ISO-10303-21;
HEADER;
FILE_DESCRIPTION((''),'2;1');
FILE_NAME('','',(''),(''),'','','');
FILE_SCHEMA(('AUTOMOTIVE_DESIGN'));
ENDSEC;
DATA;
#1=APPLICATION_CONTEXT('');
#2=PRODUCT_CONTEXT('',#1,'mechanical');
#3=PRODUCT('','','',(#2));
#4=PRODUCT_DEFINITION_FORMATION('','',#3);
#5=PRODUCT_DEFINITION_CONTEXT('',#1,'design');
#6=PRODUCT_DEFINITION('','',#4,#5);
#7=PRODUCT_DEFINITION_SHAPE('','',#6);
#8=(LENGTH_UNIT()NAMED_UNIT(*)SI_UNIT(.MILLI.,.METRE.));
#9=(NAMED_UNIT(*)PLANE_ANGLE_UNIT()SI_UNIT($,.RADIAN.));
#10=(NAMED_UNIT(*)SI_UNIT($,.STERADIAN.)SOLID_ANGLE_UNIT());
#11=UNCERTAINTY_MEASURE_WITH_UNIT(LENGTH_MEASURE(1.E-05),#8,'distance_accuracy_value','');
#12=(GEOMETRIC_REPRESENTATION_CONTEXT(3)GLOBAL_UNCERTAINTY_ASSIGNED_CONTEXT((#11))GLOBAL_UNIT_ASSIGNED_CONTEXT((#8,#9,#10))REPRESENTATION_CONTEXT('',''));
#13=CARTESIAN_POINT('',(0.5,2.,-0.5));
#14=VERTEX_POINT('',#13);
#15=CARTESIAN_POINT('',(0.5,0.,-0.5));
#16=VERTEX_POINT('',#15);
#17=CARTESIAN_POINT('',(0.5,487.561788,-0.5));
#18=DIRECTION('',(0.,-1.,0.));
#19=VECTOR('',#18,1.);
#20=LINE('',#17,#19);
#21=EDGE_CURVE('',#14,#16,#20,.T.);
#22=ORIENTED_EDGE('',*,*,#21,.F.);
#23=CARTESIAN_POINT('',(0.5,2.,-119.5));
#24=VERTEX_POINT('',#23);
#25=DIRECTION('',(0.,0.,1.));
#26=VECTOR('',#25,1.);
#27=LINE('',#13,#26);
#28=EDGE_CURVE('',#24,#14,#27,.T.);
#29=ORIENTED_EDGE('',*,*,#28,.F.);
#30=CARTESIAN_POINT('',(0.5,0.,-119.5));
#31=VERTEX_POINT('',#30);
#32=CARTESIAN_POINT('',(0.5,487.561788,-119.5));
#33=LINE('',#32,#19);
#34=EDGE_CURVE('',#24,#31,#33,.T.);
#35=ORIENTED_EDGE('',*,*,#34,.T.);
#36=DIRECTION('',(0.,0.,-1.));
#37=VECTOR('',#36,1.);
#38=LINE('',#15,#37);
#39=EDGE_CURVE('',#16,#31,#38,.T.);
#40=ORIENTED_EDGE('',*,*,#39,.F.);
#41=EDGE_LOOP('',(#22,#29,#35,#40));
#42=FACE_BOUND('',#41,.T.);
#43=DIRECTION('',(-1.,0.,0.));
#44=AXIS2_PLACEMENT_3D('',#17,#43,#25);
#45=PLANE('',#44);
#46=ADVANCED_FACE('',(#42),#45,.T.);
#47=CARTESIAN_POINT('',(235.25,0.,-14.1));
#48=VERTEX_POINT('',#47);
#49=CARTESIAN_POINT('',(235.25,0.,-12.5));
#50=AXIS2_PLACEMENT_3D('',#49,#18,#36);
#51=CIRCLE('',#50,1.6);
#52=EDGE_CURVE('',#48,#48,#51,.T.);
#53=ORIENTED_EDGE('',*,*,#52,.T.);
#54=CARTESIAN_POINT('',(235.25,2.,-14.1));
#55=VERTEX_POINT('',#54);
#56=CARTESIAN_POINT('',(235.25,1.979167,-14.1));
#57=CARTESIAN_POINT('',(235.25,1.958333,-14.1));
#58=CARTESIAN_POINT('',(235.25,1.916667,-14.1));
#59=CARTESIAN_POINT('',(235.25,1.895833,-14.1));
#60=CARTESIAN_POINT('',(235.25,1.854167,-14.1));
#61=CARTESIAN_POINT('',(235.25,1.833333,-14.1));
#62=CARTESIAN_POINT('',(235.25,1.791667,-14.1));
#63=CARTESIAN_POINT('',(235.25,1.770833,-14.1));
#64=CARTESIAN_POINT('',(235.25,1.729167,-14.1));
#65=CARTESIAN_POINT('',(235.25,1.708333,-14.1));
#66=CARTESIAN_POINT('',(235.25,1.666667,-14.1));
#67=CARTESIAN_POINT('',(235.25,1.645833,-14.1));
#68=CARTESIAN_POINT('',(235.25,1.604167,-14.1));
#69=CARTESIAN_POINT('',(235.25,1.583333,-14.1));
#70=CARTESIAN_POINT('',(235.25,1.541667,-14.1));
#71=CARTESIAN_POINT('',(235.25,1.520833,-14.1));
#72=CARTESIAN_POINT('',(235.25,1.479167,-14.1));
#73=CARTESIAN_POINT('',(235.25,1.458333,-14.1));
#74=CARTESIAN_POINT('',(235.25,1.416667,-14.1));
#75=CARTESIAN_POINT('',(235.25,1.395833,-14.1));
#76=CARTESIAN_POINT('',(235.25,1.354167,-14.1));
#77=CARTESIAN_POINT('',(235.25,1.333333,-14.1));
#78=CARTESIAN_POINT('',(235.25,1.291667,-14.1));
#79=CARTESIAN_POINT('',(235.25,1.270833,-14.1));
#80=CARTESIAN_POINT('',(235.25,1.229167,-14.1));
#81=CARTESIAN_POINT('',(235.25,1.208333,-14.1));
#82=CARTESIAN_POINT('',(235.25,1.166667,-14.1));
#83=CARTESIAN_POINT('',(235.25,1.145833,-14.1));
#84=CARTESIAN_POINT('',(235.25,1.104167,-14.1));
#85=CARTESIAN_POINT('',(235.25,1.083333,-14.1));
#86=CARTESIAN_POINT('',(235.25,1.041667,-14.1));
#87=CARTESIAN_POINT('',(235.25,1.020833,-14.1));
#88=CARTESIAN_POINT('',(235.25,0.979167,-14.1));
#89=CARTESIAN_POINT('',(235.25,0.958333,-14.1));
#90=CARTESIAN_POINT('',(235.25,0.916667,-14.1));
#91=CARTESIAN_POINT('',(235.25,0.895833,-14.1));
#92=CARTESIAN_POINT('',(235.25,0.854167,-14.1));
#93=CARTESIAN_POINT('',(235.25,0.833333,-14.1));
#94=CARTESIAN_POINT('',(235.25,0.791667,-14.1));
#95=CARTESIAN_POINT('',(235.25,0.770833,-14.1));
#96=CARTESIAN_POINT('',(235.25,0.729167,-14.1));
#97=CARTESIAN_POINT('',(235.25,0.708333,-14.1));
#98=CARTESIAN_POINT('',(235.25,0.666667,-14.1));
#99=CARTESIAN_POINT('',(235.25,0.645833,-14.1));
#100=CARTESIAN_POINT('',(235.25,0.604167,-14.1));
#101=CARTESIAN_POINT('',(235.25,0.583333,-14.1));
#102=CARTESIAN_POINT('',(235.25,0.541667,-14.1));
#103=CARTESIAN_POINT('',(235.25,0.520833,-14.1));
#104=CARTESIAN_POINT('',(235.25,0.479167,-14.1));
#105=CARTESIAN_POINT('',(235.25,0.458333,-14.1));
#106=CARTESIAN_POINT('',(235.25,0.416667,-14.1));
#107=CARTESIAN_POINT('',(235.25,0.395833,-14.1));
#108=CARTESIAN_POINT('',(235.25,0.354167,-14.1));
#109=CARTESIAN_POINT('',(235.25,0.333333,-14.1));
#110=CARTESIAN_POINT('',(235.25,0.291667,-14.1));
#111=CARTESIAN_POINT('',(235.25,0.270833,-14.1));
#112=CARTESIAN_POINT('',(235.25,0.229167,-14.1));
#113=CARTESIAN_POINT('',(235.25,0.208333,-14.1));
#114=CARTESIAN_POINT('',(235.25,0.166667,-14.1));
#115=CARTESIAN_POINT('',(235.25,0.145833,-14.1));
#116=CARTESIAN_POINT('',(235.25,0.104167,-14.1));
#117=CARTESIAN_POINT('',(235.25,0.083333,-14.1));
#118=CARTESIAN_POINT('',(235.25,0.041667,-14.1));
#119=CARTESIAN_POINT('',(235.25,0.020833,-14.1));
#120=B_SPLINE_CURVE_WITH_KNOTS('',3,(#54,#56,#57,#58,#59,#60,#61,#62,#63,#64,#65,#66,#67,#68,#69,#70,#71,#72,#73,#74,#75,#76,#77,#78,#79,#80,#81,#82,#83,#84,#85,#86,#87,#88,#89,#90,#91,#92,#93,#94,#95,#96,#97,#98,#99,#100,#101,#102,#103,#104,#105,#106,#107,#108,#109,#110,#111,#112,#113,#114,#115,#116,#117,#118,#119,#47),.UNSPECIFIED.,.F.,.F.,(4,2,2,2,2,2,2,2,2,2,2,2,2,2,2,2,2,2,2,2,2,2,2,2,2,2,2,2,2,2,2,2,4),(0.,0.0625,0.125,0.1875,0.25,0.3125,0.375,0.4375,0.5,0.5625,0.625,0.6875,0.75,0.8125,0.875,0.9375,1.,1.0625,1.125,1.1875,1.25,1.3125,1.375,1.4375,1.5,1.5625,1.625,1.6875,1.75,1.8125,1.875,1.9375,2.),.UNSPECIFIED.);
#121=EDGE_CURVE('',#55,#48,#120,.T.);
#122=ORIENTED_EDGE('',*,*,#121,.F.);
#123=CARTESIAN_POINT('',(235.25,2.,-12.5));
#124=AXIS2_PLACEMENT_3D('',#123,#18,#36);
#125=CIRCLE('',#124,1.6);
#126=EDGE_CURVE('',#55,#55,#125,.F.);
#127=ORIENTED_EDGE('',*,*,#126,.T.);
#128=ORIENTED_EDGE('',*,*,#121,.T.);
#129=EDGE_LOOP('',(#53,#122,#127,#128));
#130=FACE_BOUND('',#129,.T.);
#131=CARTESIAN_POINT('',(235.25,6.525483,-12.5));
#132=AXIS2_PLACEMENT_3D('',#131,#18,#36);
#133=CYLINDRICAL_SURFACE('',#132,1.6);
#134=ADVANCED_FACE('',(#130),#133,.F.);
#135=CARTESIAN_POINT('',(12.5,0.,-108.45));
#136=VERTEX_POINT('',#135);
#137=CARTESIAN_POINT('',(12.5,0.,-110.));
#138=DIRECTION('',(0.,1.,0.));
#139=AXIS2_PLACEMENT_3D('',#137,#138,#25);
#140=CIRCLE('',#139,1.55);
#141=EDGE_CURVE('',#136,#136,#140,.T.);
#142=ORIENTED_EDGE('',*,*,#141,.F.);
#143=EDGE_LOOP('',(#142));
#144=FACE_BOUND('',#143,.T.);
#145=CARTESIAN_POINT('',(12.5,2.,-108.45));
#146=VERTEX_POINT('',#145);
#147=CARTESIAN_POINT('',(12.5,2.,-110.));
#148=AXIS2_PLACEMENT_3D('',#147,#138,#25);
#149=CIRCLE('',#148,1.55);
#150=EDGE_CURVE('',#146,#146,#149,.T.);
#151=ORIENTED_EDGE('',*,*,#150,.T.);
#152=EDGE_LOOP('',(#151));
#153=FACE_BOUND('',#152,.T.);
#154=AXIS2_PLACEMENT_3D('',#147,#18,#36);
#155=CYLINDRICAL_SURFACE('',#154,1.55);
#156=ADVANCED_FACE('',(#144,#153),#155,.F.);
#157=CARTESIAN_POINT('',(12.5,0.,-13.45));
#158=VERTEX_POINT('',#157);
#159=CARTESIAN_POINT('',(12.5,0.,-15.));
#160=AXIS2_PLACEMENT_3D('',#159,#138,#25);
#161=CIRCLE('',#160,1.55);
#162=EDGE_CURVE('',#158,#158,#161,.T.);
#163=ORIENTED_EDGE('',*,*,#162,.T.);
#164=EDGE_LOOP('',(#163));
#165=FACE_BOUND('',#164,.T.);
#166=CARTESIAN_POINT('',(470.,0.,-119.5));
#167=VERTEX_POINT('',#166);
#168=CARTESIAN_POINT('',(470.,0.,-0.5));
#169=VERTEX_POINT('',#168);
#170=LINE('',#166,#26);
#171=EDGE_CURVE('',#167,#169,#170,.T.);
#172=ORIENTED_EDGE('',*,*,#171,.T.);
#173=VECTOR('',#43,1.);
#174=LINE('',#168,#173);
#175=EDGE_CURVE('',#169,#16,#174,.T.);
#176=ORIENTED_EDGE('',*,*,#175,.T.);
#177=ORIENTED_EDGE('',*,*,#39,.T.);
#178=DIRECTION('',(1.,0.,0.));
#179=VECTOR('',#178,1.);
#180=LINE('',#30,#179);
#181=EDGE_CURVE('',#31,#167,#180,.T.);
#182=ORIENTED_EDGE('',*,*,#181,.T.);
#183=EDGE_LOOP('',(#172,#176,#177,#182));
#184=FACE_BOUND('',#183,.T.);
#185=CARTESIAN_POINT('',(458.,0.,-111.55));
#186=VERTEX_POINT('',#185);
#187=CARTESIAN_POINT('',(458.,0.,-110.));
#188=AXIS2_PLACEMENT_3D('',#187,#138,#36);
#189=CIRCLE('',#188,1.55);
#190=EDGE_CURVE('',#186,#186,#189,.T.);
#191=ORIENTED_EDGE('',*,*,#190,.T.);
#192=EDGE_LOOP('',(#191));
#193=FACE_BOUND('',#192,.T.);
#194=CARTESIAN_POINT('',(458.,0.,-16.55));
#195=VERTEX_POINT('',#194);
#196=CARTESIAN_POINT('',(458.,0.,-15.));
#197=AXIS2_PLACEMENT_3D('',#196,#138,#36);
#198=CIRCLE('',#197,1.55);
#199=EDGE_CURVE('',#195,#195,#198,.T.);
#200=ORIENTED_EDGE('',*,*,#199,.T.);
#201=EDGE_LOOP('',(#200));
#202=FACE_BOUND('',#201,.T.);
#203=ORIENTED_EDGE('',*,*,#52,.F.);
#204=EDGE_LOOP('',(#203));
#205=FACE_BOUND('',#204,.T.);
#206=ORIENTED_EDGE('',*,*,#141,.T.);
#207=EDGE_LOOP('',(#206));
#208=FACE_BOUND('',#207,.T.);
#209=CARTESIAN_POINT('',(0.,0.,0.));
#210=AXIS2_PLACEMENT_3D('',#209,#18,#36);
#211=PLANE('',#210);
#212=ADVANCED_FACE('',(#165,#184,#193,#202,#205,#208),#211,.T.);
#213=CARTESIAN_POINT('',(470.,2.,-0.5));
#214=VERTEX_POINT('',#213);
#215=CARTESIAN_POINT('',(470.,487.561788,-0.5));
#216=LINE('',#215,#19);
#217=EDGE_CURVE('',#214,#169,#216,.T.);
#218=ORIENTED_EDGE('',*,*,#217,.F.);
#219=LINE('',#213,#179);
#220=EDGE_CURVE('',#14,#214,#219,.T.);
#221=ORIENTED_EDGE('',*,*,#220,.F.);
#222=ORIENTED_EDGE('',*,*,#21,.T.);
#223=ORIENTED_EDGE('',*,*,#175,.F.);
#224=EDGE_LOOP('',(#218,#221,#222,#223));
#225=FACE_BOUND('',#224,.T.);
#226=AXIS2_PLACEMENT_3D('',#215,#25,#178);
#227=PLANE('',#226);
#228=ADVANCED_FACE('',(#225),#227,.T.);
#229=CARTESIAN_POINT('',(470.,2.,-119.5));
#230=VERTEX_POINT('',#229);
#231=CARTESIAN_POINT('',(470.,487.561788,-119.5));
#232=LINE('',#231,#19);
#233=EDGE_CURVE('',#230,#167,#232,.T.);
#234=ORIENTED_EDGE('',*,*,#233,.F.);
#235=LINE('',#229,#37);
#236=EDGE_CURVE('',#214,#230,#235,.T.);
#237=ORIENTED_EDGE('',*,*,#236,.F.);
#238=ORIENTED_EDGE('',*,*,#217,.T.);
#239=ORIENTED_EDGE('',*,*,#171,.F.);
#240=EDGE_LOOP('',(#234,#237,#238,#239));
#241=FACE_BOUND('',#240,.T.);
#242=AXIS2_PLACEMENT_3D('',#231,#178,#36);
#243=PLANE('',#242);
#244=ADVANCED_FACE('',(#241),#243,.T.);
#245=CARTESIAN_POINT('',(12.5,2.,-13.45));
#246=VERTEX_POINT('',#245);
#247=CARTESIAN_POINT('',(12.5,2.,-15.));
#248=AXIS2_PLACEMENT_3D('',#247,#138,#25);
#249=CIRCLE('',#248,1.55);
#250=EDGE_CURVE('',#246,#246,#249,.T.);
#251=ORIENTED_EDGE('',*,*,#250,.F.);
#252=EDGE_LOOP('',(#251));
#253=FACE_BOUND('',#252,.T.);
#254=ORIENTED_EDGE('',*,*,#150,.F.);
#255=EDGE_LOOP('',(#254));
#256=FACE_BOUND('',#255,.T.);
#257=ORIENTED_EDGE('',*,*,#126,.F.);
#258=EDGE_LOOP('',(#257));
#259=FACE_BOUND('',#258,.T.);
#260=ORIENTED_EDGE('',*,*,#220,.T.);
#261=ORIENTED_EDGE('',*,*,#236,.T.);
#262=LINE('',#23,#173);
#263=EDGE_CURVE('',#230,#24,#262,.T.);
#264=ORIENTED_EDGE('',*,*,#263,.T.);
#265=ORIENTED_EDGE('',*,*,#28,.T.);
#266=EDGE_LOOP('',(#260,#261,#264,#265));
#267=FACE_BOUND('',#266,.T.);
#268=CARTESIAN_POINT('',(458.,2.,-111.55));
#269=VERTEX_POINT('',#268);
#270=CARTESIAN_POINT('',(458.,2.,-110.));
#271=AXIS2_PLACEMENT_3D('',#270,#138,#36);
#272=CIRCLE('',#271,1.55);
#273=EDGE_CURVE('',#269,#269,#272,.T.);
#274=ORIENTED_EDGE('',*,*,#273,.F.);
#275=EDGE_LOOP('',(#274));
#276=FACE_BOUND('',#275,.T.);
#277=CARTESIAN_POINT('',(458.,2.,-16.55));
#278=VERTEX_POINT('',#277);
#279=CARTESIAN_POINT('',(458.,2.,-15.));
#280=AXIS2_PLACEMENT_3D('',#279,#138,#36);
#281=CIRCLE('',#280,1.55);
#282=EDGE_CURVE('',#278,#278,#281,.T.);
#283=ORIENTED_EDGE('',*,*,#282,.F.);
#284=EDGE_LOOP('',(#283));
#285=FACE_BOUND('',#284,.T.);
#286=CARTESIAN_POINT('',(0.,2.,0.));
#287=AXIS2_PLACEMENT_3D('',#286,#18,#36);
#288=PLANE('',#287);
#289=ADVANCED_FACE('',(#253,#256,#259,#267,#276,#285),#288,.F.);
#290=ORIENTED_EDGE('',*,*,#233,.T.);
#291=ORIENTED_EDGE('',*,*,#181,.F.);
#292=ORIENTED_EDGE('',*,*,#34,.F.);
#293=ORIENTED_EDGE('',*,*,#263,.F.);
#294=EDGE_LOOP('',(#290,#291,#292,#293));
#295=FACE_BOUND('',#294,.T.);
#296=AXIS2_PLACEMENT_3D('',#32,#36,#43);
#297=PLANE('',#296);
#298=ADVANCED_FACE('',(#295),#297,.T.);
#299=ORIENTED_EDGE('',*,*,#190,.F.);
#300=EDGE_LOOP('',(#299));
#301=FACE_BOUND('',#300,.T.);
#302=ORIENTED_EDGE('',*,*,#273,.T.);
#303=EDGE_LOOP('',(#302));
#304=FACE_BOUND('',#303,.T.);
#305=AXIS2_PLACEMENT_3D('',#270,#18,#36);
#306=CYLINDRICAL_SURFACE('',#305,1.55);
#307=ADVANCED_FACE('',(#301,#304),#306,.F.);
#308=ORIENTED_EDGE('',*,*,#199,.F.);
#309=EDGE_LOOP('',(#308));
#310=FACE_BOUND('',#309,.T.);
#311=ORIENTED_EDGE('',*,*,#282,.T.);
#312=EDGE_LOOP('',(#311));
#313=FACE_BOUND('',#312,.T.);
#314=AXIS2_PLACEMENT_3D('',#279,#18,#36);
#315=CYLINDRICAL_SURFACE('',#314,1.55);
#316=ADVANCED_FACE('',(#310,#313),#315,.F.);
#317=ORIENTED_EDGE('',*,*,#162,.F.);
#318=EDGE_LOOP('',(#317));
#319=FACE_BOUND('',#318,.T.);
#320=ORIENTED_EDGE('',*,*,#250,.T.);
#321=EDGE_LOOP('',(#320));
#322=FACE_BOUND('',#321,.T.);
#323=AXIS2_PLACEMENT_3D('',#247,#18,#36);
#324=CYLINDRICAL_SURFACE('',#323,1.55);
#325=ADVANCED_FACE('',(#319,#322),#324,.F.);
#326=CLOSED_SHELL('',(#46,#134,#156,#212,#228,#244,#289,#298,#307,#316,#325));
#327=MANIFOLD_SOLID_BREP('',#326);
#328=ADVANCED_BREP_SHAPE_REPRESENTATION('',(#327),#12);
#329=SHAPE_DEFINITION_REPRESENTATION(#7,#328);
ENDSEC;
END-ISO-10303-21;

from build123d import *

# Parameters (mm, degrees)
CROQUIS1_W              = 470.5
CROQUIS1_H              = 120
CROQUIS1_R              = 1.55
SALIENTE_EXTRUIR1_DEPTH = 2
CROQUIS2_W              = 470.5
CROQUIS2_H              = 120
CROQUIS2_W_2            = 469.5
CROQUIS2_H_2            = 119
CORTAR_EXTRUIR1_DEPTH   = 2
CROQUIS3_R              = 1.6
CORTAR_EXTRUIR2_DEPTH   = 2


with BuildPart() as part:
    # Croquis1 → Saliente-Extruir1 (new body)
    with BuildSketch(Plane(origin=(0, 0, 0), x_dir=(1, 0, 0), z_dir=(0, 1, 0))):
        with Locations((235.25, 60)):
            Rectangle(CROQUIS1_W, CROQUIS1_H)
        with Locations(Location((12.5, 15, 0), (0, 0, 270))):
            Circle(CROQUIS1_R, mode=Mode.SUBTRACT)
        with Locations(Location((12.5, 110, 0), (0, 0, 270))):
            Circle(CROQUIS1_R, mode=Mode.SUBTRACT)
        with Locations(Location((458, 15, 0), (0, 0, 90))):
            Circle(CROQUIS1_R, mode=Mode.SUBTRACT)
        with Locations(Location((458, 110, 0), (0, 0, 90))):
            Circle(CROQUIS1_R, mode=Mode.SUBTRACT)
    extrude(amount=SALIENTE_EXTRUIR1_DEPTH)

    # Croquis2 → Cortar-Extruir1 (cut)
    with BuildSketch(Plane.XZ):
        with Locations((235.25, -60)):
            Rectangle(CROQUIS2_W, CROQUIS2_H)
        with Locations((235.25, -60)):
            Rectangle(CROQUIS2_W_2, CROQUIS2_H_2, mode=Mode.SUBTRACT)
    extrude(amount=-CORTAR_EXTRUIR1_DEPTH, mode=Mode.SUBTRACT)

    # Croquis3 → Cortar-Extruir2 (cut)
    with BuildSketch(Plane.XZ):
        with Locations(Location((235.25, -12.5, 0), (0, 0, 270))):
            Circle(CROQUIS3_R)
    extrude(amount=-CORTAR_EXTRUIR2_DEPTH, mode=Mode.SUBTRACT)


solid = part.part
